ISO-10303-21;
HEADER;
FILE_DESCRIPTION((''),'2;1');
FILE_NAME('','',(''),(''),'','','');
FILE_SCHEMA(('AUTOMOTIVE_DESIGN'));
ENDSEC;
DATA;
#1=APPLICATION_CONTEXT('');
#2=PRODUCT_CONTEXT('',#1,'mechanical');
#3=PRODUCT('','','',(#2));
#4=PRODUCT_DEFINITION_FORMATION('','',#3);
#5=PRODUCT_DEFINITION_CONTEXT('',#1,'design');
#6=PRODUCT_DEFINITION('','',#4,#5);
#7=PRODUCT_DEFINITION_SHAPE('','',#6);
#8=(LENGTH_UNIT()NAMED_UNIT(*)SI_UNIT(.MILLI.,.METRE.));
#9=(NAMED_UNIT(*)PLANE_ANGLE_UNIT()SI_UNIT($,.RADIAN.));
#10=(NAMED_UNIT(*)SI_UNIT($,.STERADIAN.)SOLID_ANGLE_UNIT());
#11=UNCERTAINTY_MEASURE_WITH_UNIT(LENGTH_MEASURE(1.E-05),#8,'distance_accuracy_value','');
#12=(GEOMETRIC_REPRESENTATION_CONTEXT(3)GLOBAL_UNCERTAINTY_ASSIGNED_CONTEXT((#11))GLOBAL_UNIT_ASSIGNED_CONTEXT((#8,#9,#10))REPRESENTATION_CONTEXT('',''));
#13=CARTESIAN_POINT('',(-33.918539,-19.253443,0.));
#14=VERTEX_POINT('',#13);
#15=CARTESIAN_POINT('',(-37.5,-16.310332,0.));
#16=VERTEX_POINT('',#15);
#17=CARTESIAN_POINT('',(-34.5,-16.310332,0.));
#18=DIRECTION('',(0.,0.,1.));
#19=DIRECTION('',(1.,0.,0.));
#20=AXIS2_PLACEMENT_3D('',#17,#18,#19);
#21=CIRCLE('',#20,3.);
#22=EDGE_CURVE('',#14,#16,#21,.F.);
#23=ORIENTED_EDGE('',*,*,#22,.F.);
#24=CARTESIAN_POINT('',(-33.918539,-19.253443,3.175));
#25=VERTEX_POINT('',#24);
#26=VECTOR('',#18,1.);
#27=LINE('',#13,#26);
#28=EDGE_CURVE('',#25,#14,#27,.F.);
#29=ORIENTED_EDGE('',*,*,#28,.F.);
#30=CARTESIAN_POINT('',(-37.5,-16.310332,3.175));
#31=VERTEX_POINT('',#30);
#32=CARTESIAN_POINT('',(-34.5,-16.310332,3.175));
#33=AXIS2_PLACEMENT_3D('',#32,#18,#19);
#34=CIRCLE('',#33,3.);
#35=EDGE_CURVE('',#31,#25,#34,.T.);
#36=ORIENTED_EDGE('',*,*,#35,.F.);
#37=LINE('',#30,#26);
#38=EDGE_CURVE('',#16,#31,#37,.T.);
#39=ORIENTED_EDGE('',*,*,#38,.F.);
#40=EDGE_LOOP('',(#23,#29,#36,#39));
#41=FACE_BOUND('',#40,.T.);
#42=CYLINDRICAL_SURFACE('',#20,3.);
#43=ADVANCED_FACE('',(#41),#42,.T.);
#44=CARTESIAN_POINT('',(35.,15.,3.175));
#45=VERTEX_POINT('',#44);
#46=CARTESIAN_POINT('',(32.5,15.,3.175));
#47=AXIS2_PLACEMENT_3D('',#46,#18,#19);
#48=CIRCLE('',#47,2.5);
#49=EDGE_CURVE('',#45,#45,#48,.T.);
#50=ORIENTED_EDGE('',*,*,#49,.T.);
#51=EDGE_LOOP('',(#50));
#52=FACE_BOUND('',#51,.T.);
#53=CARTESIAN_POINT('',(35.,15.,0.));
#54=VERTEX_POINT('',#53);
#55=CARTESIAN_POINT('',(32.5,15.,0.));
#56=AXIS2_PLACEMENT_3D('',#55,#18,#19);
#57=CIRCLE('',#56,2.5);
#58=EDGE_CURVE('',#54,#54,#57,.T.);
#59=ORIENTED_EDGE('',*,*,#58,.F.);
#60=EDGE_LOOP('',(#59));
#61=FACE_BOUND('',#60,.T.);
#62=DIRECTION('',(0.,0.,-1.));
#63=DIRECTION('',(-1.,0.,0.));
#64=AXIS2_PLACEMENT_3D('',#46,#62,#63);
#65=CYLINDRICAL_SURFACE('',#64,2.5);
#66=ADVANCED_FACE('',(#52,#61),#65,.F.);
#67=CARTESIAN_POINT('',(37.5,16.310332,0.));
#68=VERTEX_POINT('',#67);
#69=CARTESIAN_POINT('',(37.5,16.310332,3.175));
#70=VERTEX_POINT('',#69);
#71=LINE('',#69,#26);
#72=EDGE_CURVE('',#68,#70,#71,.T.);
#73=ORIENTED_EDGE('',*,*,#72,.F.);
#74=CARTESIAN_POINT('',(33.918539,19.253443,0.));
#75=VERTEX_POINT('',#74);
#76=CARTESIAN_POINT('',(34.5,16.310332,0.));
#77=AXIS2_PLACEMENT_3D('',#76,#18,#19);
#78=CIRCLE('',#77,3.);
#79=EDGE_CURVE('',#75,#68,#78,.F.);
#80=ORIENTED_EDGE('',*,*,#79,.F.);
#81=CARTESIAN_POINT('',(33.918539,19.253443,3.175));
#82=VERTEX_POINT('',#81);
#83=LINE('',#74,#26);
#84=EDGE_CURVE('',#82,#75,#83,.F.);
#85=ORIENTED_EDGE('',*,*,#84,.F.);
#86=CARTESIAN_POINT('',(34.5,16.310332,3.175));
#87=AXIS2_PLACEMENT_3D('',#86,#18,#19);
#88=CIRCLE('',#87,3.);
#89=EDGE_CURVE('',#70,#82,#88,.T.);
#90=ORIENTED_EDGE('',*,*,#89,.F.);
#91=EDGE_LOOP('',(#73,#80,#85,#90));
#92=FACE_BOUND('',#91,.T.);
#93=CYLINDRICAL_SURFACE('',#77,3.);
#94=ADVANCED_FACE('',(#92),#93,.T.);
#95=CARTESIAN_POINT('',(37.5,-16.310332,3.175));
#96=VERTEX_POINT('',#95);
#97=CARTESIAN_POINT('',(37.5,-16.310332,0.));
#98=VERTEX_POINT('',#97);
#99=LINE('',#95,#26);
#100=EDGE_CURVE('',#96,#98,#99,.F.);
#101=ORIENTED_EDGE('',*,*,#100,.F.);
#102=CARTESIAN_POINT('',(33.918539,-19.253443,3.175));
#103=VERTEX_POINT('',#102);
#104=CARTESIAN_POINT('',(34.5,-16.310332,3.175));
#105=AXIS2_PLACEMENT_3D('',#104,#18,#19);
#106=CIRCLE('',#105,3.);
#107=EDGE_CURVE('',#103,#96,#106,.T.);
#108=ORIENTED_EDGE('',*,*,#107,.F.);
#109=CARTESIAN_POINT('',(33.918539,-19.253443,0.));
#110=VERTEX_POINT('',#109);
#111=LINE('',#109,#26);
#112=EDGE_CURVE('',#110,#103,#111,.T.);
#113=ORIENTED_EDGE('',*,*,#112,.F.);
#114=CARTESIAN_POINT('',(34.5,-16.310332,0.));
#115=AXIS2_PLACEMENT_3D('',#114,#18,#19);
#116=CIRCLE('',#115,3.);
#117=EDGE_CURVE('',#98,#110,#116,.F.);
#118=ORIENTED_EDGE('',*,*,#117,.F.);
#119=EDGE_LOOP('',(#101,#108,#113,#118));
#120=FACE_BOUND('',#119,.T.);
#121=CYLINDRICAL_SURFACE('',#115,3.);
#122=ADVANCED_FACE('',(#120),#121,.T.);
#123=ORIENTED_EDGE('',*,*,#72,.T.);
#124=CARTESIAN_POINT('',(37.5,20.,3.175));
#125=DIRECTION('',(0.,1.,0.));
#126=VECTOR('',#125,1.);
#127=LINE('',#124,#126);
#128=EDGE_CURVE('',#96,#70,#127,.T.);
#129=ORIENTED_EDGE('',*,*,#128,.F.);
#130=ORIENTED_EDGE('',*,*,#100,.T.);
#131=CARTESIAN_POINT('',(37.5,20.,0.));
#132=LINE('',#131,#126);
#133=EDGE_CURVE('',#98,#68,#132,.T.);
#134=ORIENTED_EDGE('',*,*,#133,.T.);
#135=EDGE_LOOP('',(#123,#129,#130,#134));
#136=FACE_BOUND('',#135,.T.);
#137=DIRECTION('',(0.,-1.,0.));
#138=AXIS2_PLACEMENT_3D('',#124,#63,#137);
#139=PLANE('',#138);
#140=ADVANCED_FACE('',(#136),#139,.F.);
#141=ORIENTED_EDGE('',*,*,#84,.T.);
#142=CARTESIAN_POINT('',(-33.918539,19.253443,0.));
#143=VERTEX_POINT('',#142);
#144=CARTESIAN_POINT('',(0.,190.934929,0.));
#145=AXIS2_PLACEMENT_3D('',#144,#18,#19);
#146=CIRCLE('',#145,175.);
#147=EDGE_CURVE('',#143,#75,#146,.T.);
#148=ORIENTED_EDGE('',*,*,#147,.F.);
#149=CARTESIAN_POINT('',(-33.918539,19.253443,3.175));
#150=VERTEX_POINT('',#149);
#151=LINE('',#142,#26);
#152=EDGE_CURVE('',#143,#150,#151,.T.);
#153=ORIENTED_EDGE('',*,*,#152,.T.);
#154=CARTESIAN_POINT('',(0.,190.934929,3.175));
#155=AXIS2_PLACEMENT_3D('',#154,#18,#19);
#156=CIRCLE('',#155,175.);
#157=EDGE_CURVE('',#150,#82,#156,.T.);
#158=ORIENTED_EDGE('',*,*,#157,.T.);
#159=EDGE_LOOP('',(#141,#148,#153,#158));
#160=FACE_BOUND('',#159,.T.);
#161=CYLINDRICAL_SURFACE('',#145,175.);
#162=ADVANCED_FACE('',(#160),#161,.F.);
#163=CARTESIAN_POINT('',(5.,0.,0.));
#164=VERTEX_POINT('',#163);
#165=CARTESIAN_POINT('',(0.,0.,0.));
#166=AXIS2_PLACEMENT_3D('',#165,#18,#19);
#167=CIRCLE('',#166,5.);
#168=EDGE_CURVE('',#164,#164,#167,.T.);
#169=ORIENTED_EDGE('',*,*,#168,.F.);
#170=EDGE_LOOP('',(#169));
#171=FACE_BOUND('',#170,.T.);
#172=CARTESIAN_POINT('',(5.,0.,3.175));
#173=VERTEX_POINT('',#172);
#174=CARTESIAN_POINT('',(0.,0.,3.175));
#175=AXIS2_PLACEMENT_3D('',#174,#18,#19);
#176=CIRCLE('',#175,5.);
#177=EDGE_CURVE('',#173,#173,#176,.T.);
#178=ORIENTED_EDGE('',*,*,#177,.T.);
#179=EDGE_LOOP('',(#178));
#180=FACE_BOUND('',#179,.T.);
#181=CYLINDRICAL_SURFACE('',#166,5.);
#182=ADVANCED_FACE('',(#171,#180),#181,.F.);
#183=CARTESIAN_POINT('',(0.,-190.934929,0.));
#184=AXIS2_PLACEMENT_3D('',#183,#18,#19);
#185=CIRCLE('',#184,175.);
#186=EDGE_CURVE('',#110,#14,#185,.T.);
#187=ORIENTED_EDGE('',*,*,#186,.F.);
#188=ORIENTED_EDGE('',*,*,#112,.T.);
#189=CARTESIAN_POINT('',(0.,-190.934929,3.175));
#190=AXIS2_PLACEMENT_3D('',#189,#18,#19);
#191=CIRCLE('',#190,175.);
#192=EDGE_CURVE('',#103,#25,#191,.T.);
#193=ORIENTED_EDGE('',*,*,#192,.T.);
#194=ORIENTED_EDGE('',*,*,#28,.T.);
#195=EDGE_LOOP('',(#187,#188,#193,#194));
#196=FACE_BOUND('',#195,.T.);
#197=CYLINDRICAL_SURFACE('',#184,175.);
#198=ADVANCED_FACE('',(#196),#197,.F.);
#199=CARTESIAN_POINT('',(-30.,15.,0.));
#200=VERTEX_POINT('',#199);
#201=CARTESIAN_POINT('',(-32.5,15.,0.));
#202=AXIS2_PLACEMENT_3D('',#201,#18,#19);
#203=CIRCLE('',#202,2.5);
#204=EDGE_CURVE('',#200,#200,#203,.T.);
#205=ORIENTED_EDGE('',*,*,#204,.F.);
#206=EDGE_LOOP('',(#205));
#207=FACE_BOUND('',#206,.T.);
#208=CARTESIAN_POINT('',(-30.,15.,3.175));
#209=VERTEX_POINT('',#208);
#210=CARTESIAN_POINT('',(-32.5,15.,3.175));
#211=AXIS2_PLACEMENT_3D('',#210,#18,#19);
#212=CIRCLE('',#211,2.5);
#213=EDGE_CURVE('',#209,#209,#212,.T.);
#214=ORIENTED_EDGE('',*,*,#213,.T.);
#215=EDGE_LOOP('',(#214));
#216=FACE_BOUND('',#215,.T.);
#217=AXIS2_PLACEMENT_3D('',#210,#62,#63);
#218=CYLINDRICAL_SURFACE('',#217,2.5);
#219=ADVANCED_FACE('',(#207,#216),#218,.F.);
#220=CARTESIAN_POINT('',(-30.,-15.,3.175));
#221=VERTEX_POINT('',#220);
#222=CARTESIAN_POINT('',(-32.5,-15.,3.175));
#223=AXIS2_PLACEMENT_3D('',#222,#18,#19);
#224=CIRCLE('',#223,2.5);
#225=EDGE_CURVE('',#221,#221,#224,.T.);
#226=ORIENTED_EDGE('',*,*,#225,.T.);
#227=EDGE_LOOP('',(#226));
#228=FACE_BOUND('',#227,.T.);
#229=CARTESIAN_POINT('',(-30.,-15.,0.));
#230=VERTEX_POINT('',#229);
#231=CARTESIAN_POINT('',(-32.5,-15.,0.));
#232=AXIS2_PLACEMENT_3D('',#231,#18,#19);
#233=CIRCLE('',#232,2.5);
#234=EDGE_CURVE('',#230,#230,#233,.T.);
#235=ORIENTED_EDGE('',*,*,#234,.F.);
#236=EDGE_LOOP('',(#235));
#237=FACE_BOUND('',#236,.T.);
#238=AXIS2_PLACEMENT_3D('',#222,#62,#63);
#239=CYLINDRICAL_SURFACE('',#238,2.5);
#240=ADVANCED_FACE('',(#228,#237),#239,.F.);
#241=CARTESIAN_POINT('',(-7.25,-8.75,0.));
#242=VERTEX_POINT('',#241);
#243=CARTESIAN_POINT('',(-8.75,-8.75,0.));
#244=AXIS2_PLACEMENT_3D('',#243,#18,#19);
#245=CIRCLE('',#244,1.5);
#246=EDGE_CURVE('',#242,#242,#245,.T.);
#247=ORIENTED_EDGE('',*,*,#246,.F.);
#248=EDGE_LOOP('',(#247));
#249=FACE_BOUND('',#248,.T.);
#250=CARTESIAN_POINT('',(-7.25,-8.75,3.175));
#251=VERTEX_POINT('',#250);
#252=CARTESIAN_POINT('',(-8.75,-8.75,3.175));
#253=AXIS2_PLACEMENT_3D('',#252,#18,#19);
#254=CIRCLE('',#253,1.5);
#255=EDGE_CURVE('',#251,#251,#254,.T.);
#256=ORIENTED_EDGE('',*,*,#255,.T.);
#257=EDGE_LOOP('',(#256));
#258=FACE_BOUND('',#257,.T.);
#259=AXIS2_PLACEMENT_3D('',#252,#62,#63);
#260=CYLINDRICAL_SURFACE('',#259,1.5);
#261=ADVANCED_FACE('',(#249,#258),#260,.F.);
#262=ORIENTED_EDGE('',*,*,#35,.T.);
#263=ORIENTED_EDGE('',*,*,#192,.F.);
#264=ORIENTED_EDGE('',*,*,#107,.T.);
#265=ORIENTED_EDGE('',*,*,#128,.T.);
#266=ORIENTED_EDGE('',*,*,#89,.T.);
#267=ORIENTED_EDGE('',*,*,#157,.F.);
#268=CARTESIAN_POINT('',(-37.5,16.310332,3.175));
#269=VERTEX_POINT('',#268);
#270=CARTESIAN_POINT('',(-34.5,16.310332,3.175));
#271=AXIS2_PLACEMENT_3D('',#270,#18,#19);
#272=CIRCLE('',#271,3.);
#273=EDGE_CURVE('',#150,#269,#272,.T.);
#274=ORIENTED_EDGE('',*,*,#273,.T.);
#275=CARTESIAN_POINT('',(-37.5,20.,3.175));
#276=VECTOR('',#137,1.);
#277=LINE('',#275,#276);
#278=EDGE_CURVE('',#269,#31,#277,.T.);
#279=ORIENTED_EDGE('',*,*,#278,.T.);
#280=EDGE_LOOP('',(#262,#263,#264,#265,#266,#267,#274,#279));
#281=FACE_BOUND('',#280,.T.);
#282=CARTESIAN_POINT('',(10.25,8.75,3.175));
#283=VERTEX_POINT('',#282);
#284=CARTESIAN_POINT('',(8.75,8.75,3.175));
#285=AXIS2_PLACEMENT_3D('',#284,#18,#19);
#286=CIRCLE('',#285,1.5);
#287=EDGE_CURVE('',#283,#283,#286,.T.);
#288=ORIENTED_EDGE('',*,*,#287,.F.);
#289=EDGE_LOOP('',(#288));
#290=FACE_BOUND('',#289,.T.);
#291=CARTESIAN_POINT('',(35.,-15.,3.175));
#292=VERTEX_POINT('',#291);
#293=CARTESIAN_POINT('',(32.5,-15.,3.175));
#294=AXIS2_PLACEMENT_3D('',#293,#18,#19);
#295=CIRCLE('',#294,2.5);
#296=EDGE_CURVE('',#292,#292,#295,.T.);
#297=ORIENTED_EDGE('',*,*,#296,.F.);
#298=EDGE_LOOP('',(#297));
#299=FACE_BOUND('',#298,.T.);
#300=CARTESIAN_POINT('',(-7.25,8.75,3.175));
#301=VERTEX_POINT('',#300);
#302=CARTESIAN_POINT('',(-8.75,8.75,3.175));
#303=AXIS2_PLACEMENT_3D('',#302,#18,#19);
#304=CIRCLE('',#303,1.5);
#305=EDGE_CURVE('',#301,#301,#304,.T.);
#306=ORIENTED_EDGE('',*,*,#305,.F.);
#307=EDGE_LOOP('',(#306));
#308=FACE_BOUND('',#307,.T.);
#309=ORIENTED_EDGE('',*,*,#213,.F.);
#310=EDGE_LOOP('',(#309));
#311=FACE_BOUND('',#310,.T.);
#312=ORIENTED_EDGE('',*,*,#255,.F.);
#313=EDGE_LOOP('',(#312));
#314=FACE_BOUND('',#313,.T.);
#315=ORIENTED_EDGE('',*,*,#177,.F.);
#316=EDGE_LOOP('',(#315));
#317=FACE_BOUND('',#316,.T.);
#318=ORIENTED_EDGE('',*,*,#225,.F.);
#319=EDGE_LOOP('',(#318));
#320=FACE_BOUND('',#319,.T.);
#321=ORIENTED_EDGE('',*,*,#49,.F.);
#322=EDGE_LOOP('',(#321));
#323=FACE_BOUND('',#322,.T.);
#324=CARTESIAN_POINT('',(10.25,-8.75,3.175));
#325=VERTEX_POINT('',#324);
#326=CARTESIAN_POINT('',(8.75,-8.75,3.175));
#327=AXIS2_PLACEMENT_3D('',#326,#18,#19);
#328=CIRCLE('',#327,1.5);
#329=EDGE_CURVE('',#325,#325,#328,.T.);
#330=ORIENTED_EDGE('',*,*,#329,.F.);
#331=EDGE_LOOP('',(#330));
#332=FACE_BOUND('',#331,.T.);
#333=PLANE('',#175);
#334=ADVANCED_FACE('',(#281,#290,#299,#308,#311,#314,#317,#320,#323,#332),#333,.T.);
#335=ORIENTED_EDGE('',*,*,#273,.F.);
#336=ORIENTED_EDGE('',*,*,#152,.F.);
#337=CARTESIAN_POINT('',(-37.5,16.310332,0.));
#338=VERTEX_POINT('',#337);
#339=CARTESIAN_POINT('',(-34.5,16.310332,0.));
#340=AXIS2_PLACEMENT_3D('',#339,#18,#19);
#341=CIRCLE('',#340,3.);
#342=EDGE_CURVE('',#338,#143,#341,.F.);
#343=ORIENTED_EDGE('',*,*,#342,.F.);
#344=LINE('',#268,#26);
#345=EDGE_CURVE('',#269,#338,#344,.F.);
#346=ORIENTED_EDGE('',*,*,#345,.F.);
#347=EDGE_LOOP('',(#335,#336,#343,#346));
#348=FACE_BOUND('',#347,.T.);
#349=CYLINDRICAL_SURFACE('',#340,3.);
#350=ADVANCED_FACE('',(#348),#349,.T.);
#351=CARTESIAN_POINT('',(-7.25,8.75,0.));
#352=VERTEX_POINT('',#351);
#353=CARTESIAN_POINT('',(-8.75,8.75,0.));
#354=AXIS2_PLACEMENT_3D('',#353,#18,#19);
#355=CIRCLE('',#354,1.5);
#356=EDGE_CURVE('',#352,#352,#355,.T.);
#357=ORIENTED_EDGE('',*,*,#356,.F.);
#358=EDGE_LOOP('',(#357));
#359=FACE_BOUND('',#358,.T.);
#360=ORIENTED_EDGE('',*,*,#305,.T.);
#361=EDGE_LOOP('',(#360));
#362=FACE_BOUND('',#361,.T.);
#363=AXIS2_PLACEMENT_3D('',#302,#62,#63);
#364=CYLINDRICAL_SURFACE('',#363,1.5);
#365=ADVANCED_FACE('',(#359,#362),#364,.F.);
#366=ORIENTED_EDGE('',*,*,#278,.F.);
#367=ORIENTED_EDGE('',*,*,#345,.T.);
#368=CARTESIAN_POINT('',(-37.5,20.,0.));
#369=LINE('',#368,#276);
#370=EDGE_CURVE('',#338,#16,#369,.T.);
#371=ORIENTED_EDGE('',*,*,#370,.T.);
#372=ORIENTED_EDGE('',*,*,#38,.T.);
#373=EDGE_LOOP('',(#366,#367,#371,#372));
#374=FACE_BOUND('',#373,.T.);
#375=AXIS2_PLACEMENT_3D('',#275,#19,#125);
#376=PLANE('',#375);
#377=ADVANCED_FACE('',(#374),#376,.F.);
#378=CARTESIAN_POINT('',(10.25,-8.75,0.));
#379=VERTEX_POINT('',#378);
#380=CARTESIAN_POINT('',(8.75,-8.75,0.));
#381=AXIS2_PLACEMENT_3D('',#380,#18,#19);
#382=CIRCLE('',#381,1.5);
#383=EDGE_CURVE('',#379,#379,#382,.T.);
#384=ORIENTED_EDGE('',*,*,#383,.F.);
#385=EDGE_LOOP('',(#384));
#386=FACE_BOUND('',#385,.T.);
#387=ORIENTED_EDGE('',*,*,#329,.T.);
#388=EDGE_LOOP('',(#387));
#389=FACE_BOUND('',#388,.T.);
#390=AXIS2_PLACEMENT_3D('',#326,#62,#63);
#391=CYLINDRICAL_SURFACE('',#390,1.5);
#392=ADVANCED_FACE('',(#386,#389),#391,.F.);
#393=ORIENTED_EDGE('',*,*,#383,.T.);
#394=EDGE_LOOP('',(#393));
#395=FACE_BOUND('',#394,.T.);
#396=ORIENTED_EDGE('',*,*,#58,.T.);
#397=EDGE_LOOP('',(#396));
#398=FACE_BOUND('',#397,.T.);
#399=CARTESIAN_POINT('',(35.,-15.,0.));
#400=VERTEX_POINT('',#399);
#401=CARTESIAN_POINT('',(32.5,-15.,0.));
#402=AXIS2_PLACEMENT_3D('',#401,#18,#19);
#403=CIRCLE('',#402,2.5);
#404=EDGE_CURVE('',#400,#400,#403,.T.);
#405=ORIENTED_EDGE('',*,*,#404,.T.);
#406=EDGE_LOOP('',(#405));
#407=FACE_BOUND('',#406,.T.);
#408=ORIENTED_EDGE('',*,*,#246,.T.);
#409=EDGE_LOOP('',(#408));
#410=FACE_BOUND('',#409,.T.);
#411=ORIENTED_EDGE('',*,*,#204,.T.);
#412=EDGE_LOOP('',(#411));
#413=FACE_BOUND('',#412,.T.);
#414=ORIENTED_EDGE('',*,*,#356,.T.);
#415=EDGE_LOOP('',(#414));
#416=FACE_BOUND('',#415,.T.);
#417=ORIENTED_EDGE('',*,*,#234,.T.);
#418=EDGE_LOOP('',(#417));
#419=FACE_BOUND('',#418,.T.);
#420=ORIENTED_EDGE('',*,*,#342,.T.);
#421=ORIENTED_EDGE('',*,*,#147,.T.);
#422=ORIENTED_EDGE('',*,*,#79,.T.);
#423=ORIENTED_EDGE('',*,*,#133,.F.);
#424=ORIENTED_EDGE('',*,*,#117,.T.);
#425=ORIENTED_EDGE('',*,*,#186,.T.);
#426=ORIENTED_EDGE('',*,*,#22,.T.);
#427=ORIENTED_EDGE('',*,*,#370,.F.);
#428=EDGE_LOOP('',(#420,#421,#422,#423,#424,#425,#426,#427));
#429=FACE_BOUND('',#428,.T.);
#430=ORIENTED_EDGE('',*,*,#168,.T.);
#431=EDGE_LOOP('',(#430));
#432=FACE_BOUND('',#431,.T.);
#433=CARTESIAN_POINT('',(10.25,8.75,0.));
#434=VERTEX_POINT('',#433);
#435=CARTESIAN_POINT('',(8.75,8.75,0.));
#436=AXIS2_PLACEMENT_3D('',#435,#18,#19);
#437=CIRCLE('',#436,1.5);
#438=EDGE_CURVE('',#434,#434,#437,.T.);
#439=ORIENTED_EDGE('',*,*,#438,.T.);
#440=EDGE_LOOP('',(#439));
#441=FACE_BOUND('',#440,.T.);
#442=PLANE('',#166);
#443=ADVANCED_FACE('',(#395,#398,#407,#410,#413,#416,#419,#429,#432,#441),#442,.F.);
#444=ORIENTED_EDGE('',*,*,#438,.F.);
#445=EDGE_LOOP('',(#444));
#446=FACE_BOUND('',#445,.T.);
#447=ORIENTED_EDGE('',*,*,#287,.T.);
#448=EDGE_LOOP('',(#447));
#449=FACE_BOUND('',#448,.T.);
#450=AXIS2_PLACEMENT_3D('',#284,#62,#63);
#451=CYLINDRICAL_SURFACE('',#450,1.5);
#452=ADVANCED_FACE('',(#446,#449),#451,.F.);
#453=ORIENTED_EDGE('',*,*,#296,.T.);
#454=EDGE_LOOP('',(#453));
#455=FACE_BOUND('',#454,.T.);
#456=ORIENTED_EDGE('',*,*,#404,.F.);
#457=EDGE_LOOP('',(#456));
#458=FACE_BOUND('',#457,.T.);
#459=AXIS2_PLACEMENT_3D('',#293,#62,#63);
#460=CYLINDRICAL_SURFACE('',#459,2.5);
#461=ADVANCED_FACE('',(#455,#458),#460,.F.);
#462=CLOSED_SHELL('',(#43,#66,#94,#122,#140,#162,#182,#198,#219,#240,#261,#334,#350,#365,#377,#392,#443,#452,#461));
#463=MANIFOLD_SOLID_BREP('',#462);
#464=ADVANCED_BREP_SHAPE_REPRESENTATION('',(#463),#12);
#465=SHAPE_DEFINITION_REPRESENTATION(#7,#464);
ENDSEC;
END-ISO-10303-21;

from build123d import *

# Parameters (mm, degrees)
SKETCH1_W           = 75
SKETCH1_H           = 40
SKETCH1_R           = 2.5
SKETCH1_R_2         = 1.5
BOSS_EXTRUDE1_DEPTH = 3.175
SKETCH2_R           = 175
CUT_EXTRUDE1_DEPTH  = 3.175
FILLET1_R           = 3
SKETCH3_R           = 5
CUT_EXTRUDE2_DEPTH  = 3.175


with BuildPart() as part:
    # Sketch1 → Boss-Extrude1 (new body)
    with BuildSketch(Plane.XY):
        Rectangle(SKETCH1_W, SKETCH1_H)
        with Locations((-32.5, 15)):
            Circle(SKETCH1_R, mode=Mode.SUBTRACT)
        with Locations((32.5, 15)):
            Circle(SKETCH1_R, mode=Mode.SUBTRACT)
        with Locations((32.5, -15)):
            Circle(SKETCH1_R, mode=Mode.SUBTRACT)
        with Locations((-32.5, -15)):
            Circle(SKETCH1_R, mode=Mode.SUBTRACT)
        with Locations((-8.75, 8.75)):
            Circle(SKETCH1_R_2, mode=Mode.SUBTRACT)
        with Locations((8.75, 8.75)):
            Circle(SKETCH1_R_2, mode=Mode.SUBTRACT)
        with Locations((8.75, -8.75)):
            Circle(SKETCH1_R_2, mode=Mode.SUBTRACT)
        with Locations((-8.75, -8.75)):
            Circle(SKETCH1_R_2, mode=Mode.SUBTRACT)
    extrude(amount=BOSS_EXTRUDE1_DEPTH)

    # Sketch2 → Cut-Extrude1 (cut)
    with BuildSketch(Plane.XY.offset(3.175)):
        with Locations((0, 190.93492914)):
            Circle(SKETCH2_R)
        with Locations((0, -190.93492914)):
            Circle(SKETCH2_R)
    extrude(amount=-CUT_EXTRUDE1_DEPTH, mode=Mode.SUBTRACT)

    # Fillet1
    fillet1_edges = [part.edges().sort_by_distance(p)[0] for p in [
        (-37.5, 20, 1.5875),
        (37.5, 20, 1.5875),
        (37.5, -20, 1.5875),
        (-37.5, -20, 1.5875),
    ]]
    fillet(fillet1_edges, radius=FILLET1_R)

    # Sketch3 → Cut-Extrude2 (cut)
    with BuildSketch(Plane.XY.offset(3.175)):
        Circle(SKETCH3_R)
    extrude(amount=-CUT_EXTRUDE2_DEPTH, mode=Mode.SUBTRACT)


solid = part.part
